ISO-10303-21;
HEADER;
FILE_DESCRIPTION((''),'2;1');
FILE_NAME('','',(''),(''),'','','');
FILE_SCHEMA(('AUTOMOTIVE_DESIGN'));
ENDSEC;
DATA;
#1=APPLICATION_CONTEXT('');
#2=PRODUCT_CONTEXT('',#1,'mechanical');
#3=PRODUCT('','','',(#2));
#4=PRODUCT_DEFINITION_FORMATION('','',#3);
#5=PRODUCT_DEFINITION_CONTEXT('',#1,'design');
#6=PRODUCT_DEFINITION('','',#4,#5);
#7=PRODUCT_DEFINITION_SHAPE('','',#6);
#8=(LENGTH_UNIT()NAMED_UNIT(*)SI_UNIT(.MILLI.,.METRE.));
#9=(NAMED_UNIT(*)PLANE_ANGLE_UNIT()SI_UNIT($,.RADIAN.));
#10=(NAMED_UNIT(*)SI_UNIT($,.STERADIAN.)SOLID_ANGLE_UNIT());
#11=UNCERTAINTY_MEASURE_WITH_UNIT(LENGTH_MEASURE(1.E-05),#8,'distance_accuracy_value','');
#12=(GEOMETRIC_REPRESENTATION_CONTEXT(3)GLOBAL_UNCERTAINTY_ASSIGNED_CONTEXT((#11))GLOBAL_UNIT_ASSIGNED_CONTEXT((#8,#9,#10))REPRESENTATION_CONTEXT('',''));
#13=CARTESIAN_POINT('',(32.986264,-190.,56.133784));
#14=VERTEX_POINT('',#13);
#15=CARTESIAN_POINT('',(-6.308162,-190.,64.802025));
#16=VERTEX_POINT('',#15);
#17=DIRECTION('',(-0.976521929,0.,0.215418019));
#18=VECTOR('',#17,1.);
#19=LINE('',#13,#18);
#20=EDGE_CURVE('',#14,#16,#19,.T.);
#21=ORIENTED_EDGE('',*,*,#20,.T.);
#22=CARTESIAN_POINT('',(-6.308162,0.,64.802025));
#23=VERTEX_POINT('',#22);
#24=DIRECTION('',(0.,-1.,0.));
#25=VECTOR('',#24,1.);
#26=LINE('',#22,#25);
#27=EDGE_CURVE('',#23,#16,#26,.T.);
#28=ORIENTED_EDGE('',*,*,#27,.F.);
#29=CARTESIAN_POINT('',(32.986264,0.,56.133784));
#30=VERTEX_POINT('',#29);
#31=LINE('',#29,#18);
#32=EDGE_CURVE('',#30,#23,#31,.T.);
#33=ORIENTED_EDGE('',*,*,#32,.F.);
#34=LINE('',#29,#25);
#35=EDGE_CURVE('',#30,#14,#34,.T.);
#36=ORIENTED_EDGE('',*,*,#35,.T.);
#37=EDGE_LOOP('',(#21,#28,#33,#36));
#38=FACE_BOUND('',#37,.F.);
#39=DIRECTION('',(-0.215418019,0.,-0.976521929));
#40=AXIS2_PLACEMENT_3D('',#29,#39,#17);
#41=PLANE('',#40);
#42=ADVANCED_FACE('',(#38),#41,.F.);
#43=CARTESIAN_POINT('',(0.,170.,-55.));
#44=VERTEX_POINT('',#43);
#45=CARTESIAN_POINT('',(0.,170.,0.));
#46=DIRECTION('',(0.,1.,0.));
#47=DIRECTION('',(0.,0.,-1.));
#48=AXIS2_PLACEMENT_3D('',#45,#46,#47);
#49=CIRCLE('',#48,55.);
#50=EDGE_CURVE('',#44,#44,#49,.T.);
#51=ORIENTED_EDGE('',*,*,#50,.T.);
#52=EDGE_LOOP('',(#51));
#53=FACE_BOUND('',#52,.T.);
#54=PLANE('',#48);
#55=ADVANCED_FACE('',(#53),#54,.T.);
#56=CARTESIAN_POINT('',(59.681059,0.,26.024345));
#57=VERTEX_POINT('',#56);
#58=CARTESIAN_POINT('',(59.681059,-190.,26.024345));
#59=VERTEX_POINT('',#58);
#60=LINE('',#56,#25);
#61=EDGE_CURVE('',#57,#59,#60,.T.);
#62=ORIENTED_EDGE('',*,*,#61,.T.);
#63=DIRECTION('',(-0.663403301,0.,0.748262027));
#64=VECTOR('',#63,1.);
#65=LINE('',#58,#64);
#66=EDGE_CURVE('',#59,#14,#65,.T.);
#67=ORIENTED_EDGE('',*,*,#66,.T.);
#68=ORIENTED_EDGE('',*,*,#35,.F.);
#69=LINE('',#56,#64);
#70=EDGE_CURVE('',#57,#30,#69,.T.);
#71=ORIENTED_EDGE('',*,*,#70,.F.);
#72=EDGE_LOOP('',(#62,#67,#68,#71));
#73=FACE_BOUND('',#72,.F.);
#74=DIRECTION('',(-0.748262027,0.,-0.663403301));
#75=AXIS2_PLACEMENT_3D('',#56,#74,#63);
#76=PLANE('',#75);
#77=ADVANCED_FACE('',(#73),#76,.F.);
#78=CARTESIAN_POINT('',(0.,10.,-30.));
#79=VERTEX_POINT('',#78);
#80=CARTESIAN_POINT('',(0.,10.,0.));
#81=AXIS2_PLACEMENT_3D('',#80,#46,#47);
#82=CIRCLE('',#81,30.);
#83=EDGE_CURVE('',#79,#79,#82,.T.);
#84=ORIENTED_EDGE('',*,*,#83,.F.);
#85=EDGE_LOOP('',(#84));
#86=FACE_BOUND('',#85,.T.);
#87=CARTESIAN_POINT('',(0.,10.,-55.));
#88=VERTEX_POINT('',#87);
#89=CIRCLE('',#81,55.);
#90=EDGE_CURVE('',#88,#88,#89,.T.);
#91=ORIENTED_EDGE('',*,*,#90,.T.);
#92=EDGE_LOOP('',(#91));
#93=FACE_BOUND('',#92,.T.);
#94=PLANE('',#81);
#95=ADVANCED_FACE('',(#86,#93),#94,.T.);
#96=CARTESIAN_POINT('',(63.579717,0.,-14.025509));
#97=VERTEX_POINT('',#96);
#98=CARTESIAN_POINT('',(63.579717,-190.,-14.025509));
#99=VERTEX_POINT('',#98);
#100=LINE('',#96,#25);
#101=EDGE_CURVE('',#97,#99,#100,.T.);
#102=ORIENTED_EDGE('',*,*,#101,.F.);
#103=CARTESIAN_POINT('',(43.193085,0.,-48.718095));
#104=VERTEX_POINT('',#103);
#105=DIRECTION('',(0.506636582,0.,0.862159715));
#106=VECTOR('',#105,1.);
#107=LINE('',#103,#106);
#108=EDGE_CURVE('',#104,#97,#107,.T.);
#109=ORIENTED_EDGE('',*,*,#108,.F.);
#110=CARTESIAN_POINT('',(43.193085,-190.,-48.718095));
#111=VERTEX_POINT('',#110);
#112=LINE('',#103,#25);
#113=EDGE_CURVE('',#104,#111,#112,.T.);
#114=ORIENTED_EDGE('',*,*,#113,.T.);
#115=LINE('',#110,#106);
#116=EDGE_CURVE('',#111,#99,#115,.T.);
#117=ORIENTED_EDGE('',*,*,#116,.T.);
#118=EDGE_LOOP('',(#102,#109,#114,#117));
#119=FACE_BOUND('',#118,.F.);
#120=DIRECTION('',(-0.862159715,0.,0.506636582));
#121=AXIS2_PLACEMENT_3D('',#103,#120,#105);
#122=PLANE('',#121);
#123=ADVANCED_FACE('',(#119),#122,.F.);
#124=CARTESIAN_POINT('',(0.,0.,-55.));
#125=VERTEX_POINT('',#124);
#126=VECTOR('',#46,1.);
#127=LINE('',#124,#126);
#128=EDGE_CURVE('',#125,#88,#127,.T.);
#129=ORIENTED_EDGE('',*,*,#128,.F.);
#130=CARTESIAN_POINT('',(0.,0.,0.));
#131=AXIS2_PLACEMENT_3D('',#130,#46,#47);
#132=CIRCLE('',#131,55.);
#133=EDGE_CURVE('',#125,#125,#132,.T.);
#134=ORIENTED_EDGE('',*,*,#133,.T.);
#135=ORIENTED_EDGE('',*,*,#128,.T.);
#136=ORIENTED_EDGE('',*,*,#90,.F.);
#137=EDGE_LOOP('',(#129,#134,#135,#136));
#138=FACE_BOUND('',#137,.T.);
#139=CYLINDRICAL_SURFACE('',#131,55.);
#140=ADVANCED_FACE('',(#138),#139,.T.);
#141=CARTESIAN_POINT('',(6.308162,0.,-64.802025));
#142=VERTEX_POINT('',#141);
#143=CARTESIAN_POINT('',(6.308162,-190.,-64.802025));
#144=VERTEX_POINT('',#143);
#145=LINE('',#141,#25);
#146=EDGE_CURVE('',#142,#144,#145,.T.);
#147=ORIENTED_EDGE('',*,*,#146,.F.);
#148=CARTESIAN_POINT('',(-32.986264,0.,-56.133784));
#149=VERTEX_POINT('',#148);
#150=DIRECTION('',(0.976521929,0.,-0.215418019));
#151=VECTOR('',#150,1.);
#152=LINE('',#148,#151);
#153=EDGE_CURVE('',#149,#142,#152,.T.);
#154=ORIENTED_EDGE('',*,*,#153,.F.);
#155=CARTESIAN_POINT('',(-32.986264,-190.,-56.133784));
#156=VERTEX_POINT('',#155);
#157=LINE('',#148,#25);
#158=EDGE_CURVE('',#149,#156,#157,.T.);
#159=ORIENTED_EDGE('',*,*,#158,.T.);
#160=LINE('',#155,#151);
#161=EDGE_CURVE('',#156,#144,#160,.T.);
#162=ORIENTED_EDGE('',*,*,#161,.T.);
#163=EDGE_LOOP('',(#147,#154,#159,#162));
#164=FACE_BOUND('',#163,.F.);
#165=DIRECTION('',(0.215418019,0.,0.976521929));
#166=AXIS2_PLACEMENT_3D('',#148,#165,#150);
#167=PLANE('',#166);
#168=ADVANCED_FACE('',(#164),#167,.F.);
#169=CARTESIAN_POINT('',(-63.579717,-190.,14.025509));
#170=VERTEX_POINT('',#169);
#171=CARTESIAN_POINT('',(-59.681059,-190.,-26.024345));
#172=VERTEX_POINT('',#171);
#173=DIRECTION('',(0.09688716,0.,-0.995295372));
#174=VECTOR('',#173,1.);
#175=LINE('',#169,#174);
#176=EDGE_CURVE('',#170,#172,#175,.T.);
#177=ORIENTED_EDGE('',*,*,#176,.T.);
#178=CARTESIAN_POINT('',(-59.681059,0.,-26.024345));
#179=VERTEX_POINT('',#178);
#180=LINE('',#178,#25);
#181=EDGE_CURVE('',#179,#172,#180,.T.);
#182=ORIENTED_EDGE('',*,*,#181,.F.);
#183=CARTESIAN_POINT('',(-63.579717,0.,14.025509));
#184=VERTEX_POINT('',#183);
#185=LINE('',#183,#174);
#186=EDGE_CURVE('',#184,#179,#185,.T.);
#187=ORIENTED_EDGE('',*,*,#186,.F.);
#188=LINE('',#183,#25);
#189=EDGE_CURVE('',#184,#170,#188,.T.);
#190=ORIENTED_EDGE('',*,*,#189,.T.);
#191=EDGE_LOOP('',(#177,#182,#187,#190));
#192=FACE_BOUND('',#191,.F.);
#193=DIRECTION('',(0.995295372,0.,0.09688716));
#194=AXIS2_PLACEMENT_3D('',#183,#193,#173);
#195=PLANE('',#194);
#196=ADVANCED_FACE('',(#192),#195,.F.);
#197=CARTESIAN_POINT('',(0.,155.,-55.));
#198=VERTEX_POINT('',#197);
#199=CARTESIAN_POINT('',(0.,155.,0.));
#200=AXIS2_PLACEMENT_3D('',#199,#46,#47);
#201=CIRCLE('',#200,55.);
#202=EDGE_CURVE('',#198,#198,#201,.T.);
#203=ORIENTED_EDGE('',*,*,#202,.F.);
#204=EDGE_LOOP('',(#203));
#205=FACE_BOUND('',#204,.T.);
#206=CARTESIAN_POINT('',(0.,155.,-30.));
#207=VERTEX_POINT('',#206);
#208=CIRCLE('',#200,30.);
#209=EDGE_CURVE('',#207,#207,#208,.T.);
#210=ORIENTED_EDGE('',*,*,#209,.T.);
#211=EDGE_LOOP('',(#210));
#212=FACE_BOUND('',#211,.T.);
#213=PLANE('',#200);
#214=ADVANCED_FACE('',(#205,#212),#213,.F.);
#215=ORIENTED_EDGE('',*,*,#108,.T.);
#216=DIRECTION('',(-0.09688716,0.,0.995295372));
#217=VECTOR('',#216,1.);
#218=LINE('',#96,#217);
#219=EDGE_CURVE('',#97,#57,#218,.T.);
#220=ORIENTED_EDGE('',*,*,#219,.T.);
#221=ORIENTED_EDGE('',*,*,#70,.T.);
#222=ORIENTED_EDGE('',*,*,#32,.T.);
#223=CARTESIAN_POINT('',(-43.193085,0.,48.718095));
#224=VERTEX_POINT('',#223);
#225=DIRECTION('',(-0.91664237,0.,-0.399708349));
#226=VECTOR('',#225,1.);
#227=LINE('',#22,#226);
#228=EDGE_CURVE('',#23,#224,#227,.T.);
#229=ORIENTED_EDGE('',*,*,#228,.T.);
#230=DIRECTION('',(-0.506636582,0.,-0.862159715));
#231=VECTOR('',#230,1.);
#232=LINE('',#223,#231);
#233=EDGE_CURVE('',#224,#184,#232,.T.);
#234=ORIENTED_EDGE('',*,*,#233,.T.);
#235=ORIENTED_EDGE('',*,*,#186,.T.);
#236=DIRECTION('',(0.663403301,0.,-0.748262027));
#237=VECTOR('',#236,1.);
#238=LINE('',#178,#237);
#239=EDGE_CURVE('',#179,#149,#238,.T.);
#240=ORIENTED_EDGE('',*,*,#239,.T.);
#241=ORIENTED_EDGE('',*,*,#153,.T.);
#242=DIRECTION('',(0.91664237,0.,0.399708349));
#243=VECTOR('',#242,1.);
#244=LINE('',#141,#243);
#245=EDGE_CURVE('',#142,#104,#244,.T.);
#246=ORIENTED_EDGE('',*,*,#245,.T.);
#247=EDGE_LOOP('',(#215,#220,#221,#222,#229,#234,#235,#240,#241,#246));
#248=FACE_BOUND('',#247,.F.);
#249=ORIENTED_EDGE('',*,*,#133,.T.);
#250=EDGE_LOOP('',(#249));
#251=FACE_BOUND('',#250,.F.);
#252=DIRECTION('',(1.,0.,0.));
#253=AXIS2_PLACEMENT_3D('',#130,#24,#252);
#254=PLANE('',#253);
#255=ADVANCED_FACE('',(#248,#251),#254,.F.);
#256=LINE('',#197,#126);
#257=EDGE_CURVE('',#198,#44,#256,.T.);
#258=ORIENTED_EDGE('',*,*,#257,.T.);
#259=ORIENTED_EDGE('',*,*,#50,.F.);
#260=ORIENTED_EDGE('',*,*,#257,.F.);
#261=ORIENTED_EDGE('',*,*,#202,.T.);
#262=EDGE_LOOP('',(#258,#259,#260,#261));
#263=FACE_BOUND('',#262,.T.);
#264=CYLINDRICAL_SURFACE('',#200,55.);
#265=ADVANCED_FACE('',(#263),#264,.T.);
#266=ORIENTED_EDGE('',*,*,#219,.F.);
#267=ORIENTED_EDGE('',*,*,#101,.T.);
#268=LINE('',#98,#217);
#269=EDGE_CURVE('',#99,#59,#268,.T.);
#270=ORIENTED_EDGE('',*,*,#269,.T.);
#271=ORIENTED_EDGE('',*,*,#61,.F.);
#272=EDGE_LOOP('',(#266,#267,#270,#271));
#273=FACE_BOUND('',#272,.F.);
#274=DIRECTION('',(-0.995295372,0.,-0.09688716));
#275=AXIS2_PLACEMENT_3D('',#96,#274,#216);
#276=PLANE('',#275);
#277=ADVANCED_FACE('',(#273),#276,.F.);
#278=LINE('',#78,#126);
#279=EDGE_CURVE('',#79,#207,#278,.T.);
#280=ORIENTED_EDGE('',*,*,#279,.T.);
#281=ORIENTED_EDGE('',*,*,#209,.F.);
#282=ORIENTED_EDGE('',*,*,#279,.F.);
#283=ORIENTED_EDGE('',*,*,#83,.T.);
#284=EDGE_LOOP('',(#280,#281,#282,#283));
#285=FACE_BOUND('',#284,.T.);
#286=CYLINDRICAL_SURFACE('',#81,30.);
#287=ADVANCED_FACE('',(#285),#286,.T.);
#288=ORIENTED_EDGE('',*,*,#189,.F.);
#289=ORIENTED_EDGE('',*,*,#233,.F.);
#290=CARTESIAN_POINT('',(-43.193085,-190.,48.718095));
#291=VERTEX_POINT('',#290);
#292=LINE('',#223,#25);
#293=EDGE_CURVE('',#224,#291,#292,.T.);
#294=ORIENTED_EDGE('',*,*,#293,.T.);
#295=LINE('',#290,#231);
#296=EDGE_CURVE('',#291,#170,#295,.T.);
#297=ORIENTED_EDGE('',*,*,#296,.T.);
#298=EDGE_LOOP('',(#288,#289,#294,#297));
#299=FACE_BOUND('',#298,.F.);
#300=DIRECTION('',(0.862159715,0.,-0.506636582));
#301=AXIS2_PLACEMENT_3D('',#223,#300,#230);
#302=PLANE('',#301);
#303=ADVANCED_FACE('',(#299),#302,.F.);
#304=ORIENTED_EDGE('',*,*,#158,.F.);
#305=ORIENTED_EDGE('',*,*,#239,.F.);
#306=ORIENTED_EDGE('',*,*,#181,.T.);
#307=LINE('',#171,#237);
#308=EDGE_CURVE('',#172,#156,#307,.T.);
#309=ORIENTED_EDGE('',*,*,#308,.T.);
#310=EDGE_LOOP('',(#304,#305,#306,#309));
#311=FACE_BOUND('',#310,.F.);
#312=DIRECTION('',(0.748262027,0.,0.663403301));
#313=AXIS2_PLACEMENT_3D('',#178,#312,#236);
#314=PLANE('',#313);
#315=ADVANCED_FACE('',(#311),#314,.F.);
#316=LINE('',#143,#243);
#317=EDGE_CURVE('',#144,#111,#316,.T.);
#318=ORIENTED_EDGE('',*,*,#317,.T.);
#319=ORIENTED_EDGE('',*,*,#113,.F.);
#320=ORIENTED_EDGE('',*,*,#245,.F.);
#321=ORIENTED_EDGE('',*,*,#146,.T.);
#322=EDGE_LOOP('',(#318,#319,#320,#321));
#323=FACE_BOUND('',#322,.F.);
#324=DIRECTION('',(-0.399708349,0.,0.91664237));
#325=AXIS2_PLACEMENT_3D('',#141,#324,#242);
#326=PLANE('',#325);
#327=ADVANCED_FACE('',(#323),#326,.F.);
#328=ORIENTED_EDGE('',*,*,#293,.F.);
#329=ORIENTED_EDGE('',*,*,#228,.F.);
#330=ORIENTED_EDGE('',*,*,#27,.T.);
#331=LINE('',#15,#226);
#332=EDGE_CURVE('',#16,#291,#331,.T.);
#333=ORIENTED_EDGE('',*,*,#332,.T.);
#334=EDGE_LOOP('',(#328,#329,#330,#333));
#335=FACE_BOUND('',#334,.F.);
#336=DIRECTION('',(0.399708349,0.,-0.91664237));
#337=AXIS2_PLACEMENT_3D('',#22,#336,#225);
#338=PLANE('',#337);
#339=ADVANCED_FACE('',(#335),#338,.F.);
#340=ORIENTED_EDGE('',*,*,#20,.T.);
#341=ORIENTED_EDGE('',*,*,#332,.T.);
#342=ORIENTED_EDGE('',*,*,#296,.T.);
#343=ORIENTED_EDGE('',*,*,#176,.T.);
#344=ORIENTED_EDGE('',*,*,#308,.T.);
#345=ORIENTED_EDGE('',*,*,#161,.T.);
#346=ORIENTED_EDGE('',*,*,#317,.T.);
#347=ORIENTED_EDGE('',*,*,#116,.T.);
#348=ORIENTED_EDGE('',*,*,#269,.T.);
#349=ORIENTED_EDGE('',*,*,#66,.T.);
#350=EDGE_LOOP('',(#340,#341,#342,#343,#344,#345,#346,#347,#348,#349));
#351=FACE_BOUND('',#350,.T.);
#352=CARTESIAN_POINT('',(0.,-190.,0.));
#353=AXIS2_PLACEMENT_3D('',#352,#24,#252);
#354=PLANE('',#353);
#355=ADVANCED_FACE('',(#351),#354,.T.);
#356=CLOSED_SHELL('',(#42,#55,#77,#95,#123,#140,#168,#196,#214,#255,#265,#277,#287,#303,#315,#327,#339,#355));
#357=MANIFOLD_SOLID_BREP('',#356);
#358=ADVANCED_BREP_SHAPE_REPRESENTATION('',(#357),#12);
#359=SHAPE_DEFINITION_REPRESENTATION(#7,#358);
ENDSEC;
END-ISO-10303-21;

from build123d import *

# Parameters (mm, degrees)
EXTRUDE_2_DEPTH = 190


with BuildPart() as part:
    # Эскиз2 → Повернуть1 (revolve)
    with BuildSketch(Plane(origin=(0, 0, 0), x_dir=(0, 0, -1), z_dir=(1, 0, 0))):
        Polygon((0, 0), (55, 0), (55, 10), (30, 10), (30, 155), (55, 155), (55, 170), (0, 170), align=None)
    revolve(axis=Axis((0, -61.701185429, 0), (0, 1, 0)))

    # Эскиз3 → Бобышка-Вытянуть2 (add)
    with BuildSketch(Plane.XZ):
        Polygon((43.193084505, -48.718094896), (63.579717104, -14.025508632), (59.681058764, 26.024345221), (32.986264461, 56.133783734), (-6.308161704, 64.802024777), (-43.193084505, 48.718094896), (-63.579717104, 14.025508632), (-59.681058764, -26.024345221), (-32.986264461, -56.133783734), (6.308161704, -64.802024777), align=None)
    extrude(amount=EXTRUDE_2_DEPTH)


solid = part.part
